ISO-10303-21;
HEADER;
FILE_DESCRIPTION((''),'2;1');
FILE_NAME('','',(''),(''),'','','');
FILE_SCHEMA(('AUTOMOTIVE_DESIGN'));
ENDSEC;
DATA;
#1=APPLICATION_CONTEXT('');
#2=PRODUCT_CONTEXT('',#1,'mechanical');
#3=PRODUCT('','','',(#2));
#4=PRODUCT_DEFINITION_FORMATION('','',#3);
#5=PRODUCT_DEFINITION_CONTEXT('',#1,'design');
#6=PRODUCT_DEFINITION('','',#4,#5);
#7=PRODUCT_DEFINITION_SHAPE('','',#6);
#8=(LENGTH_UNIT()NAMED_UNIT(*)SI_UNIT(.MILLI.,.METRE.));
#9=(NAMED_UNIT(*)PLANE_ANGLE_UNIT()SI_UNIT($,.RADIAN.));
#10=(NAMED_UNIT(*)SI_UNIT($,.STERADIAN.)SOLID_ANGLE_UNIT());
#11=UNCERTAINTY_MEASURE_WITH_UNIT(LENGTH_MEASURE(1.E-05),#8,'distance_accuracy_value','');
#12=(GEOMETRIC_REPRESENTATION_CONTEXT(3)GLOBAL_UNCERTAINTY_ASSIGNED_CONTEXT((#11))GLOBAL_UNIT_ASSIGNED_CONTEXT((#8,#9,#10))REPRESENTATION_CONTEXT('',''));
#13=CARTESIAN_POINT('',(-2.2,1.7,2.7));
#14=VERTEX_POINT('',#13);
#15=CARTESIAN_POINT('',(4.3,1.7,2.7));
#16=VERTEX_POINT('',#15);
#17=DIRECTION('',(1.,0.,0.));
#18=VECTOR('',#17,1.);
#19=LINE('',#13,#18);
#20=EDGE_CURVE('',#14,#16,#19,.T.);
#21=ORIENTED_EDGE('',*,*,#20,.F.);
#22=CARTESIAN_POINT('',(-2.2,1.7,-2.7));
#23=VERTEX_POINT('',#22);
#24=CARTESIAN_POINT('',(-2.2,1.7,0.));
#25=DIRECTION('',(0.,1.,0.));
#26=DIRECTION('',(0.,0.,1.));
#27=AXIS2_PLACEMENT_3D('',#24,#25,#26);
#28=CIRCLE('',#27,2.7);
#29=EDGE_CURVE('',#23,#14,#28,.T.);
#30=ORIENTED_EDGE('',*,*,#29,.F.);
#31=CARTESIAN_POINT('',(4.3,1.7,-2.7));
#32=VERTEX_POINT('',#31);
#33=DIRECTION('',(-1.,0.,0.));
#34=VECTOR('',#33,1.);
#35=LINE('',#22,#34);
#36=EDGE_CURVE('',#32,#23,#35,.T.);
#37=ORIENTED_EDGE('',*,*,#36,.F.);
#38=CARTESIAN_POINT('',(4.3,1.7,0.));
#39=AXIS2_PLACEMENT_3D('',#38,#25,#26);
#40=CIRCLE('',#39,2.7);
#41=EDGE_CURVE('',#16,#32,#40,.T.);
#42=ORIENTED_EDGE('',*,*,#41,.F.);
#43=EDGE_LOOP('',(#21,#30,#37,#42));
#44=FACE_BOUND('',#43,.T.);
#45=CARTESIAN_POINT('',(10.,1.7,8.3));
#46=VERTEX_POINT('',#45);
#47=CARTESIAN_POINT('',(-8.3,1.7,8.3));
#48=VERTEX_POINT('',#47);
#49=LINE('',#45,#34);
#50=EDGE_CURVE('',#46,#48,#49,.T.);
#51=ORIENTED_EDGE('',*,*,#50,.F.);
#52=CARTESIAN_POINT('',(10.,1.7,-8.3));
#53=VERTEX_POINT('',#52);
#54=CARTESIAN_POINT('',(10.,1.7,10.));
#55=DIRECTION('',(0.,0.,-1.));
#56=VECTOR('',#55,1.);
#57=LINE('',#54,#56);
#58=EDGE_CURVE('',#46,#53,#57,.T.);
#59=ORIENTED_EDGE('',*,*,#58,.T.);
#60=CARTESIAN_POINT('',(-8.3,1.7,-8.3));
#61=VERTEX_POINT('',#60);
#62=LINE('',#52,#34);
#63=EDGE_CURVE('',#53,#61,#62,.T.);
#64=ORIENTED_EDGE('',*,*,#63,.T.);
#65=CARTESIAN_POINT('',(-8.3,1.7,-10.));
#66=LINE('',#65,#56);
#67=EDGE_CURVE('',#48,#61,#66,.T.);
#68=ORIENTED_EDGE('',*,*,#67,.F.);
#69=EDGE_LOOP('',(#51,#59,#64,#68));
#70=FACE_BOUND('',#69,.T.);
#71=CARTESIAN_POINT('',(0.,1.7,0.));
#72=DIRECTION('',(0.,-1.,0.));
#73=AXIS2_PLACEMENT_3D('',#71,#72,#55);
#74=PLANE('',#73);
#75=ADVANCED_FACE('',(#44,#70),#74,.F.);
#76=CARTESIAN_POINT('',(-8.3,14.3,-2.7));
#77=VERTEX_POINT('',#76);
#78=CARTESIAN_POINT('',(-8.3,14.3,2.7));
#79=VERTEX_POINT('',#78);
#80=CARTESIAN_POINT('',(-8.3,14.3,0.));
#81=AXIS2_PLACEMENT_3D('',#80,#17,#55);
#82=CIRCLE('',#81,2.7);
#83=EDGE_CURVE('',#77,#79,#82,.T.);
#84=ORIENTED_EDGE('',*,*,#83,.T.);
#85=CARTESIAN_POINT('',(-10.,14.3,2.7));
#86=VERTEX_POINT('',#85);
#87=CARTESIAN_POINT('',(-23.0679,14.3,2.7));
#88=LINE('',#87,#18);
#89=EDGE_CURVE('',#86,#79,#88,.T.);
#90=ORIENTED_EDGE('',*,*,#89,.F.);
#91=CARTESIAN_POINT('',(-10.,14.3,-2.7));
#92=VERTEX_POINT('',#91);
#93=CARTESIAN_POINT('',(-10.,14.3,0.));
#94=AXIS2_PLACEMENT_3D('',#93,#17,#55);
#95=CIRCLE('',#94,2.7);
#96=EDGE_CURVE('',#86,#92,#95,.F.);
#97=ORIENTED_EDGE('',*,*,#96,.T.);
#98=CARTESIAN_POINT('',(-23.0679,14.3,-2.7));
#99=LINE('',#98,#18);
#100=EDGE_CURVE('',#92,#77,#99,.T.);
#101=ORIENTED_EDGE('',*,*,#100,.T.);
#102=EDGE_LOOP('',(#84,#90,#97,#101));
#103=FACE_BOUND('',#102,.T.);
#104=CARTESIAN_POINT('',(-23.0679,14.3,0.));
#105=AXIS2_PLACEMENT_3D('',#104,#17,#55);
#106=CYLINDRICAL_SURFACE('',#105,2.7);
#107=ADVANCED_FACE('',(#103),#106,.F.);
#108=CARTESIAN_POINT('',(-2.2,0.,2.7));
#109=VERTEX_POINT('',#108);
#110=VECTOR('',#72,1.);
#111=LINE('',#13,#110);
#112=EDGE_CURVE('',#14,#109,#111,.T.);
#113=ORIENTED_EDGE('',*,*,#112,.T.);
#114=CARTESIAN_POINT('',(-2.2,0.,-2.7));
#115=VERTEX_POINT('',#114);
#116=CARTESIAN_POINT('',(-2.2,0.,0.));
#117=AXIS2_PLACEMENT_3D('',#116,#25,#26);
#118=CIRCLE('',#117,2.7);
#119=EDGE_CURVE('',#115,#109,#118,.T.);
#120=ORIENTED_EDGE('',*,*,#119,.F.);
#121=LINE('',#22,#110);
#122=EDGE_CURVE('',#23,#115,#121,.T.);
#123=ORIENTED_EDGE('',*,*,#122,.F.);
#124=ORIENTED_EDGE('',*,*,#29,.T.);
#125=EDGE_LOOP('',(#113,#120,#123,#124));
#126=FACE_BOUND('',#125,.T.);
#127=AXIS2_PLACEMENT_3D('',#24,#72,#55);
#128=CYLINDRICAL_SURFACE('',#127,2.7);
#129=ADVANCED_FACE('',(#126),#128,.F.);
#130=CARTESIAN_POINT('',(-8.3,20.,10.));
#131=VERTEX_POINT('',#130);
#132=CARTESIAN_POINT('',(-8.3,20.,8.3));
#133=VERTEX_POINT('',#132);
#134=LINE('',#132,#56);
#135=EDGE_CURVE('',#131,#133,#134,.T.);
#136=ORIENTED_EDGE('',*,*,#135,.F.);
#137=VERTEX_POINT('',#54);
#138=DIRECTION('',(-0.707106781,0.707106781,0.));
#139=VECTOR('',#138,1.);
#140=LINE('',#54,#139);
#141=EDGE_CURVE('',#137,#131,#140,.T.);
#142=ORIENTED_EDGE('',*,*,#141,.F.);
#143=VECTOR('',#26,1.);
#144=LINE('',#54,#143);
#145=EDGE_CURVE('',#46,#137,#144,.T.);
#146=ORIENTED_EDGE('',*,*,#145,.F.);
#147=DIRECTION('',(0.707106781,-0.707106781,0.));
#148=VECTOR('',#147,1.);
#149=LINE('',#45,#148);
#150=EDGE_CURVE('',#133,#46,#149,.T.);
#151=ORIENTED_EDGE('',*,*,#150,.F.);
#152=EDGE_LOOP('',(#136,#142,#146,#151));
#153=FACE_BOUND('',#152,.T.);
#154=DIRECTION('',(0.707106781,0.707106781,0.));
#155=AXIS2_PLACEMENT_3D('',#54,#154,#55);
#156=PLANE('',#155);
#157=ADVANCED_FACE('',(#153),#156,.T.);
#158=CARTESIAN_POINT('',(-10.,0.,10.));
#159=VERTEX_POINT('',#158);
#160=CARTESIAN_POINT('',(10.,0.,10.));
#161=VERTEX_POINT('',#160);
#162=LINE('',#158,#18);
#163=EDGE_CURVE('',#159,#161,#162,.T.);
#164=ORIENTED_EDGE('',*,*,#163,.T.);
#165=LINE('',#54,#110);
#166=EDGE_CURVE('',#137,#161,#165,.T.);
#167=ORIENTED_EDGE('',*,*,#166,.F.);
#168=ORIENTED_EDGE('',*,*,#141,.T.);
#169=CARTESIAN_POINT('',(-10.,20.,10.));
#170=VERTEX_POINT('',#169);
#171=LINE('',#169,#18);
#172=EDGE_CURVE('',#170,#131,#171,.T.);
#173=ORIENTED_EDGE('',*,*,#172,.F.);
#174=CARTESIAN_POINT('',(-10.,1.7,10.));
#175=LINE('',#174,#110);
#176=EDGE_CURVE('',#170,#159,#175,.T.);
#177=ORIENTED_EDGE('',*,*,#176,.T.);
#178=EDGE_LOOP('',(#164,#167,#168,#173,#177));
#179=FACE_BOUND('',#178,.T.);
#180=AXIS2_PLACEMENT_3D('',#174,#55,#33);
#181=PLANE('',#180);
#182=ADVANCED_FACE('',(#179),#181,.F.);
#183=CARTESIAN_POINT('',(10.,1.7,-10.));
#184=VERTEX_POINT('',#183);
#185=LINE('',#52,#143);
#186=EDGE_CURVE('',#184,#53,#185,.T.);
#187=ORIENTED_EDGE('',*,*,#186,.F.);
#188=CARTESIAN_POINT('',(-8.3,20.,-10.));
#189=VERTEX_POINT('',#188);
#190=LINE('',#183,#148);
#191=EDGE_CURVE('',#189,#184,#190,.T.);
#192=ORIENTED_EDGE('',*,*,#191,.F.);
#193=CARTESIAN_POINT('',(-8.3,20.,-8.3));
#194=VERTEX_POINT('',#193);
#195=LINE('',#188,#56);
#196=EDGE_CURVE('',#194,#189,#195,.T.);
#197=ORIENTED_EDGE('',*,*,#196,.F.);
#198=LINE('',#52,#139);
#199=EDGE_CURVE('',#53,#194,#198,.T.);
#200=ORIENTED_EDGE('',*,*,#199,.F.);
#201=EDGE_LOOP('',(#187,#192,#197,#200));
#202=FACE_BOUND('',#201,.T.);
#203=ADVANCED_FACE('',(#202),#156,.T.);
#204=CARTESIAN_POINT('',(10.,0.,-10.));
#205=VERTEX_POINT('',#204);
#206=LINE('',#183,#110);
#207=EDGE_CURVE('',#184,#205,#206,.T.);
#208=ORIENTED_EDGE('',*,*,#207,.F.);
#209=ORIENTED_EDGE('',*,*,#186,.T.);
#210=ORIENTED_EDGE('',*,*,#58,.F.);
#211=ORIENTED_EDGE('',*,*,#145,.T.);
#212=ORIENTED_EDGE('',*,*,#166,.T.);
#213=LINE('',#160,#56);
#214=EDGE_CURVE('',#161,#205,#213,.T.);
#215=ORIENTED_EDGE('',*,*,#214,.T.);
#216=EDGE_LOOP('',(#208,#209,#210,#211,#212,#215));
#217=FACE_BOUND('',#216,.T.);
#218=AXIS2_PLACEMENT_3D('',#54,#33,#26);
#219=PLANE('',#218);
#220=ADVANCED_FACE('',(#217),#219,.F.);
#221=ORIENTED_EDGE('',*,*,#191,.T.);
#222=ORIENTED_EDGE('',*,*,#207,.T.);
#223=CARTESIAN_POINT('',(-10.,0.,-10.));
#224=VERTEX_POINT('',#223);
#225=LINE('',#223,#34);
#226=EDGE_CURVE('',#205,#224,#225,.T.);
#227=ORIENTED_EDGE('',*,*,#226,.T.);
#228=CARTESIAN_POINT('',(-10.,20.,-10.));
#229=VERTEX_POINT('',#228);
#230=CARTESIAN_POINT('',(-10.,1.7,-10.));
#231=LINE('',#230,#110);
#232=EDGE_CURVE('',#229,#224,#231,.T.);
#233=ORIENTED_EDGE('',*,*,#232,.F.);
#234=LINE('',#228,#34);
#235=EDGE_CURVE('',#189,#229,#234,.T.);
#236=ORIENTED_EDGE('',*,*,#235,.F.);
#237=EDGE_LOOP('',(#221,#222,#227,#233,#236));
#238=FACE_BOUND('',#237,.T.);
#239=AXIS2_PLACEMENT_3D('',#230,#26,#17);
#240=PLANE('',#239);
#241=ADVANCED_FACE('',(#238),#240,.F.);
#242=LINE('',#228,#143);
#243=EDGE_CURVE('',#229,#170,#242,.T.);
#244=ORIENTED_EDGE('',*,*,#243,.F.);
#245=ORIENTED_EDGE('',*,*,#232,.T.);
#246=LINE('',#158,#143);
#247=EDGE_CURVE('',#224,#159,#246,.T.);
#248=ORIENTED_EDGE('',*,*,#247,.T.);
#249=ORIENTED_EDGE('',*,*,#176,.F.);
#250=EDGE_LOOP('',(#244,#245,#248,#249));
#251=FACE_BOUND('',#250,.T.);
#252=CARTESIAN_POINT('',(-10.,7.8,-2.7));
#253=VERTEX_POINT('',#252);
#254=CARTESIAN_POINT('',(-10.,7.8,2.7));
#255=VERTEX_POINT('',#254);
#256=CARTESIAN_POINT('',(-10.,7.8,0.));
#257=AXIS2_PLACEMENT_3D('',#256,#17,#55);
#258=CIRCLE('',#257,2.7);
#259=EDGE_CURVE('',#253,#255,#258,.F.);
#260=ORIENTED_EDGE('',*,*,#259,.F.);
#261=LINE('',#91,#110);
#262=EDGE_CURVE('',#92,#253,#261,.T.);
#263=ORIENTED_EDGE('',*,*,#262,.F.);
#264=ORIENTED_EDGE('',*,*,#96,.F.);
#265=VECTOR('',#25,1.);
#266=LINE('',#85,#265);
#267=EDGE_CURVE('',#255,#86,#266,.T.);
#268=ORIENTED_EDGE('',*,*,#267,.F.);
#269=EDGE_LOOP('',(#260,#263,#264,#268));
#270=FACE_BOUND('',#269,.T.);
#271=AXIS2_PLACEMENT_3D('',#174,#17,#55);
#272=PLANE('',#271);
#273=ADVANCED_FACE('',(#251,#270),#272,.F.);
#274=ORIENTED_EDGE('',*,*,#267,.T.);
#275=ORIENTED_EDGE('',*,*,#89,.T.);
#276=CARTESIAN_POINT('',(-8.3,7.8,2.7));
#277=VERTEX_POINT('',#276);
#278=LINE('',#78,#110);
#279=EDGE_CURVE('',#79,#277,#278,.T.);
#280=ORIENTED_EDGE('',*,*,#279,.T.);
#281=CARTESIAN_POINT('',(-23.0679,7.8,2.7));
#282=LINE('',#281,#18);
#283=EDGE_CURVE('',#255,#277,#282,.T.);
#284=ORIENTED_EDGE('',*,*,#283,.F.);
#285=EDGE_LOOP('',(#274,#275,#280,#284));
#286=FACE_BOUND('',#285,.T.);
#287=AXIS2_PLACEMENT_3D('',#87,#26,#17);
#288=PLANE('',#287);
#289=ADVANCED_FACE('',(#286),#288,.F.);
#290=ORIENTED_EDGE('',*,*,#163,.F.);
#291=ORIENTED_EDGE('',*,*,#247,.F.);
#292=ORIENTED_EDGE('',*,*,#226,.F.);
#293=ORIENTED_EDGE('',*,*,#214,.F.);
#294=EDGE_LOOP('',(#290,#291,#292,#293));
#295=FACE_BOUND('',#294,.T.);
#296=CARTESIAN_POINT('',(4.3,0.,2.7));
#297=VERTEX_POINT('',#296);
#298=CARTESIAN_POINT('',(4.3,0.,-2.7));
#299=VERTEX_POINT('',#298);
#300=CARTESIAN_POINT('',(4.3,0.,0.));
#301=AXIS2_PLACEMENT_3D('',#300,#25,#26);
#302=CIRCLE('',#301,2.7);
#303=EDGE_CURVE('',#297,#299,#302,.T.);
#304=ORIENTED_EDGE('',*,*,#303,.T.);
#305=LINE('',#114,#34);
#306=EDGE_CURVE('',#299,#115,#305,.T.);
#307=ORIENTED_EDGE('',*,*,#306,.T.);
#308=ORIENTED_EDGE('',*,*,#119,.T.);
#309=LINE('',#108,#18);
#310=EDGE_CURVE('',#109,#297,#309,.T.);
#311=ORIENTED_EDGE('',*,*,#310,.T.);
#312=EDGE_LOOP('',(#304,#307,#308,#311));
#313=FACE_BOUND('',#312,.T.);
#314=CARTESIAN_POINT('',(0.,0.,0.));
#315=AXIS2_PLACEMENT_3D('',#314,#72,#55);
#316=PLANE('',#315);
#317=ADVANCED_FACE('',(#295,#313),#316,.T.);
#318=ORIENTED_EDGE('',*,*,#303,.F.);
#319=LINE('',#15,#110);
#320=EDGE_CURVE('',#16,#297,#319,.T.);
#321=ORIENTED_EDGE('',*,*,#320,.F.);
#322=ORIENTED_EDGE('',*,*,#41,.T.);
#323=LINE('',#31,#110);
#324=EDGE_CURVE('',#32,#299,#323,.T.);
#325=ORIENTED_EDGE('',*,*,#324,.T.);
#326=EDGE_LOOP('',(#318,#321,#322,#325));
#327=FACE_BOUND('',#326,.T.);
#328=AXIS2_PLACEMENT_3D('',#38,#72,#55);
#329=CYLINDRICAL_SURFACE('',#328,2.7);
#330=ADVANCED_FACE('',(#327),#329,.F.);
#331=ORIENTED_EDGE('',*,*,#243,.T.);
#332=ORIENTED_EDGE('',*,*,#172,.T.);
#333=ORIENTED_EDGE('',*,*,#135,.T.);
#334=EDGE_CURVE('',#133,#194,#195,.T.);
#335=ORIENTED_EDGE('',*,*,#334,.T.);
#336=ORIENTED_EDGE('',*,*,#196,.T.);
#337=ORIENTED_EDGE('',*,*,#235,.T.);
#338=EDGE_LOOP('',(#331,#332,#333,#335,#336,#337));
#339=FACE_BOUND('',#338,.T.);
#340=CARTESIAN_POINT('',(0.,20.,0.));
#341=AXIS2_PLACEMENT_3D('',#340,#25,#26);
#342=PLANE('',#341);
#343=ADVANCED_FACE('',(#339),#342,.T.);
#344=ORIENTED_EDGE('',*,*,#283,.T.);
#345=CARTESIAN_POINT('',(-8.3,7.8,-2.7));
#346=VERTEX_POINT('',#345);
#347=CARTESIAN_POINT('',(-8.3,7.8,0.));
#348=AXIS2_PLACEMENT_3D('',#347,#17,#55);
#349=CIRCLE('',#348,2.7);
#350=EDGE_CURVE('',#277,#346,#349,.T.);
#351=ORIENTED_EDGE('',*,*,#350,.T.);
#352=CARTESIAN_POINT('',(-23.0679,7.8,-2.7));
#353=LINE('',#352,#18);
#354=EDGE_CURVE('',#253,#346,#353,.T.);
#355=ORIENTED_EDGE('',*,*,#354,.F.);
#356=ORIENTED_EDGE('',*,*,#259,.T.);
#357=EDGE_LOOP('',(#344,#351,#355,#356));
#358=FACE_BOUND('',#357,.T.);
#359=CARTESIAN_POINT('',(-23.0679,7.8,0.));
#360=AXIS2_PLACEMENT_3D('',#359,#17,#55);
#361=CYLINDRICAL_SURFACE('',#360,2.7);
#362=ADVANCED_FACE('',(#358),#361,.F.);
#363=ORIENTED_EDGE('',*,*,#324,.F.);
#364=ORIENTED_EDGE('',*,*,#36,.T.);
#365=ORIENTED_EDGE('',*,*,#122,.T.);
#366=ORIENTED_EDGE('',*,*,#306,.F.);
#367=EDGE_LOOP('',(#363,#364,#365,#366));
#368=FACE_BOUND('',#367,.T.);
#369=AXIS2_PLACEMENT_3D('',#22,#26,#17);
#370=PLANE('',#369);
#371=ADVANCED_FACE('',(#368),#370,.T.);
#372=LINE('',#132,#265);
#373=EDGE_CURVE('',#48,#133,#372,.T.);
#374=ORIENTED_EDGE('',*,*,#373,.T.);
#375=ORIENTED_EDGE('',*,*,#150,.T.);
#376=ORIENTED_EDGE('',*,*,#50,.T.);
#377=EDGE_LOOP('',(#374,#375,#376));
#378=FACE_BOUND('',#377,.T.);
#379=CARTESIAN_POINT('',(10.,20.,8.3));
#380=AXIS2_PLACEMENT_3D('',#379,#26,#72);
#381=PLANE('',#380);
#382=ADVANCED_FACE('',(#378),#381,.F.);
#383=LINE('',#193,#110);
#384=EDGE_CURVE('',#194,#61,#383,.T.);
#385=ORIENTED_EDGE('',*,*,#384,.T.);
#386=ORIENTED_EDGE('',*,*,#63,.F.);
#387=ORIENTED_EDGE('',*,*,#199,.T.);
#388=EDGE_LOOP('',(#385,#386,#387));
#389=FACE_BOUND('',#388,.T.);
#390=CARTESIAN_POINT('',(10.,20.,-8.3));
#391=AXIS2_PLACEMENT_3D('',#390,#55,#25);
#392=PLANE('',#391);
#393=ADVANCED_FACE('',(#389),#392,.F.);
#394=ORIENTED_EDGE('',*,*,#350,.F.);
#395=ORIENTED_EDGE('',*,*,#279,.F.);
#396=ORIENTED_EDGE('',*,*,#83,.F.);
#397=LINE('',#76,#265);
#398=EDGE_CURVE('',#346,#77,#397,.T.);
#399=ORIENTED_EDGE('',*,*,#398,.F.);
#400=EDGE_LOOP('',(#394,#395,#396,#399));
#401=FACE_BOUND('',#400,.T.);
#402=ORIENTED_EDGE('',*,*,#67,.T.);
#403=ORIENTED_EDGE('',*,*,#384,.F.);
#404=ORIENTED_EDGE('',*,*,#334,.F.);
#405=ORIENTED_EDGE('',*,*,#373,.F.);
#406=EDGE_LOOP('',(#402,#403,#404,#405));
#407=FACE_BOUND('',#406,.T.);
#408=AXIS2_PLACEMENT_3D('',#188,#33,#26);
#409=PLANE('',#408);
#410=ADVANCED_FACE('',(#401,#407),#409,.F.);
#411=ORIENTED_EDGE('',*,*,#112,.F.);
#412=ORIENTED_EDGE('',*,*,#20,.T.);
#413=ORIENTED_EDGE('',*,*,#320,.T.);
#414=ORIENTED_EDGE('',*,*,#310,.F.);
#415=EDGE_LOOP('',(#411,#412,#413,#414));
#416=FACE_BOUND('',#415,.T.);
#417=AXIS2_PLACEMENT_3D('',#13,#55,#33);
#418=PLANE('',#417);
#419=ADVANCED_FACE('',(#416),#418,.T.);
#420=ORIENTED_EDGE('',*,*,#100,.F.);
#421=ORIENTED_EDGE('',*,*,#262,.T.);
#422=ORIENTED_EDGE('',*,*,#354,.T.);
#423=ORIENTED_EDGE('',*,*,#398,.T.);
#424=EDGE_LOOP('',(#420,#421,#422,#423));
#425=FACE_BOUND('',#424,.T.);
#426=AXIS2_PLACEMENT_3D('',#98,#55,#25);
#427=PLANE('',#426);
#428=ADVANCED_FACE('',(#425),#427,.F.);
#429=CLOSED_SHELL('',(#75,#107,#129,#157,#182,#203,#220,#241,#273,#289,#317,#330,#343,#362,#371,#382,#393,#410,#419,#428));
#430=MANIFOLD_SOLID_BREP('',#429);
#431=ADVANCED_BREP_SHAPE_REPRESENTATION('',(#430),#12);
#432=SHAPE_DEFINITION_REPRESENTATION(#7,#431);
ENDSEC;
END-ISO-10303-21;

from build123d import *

# Parameters (mm, degrees)
SKICA1_W                 = 20
SKICA1_H                 = 20
P_IDAT_VYSUNUT_M1_DEPTH  = 1.7
SKICA2_W                 = 1.7
SKICA2_H                 = 20
P_IDAT_VYSUNUT_M2_DEPTH  = 18.3
ODEBRAT_VYSUNUT_M1_DEPTH = 1.7
SKICA4_W                 = 1.7
SKICA4_H                 = 18.3
P_IDAT_VYSUNUT_M3_DEPTH  = 18.3
ZKOSEN_1_SIZE            = 18.3


with BuildPart() as part:
    # Skica1 → Přidat vysunutím1 (new body)
    with BuildSketch(Plane(origin=(0, 0, 0), x_dir=(1, 0, 0), z_dir=(0, 1, 0))):
        Rectangle(SKICA1_W, SKICA1_H)
        with BuildLine():
            Line((-2.2, 2.7), (4.3, 2.7))
            ThreePointArc((4.3, 2.7), (7, 0), (4.3, -2.7))
            Line((4.3, -2.7), (-2.2, -2.7))
            ThreePointArc((-2.2, -2.7), (-4.9, 0), (-2.2, 2.7))
        make_face(mode=Mode.SUBTRACT)
    extrude(amount=P_IDAT_VYSUNUT_M1_DEPTH)

    # Skica2 → Přidat vysunutím2 (add)
    with BuildSketch(Plane(origin=(0, 1.7, 0), x_dir=(1, 0, 0), z_dir=(0, 1, 0))):
        with Locations((-9.15, 0)):
            Rectangle(SKICA2_W, SKICA2_H)
    extrude(amount=P_IDAT_VYSUNUT_M2_DEPTH)

    # Skica3 → Odebrat vysunutím1 (cut)
    with BuildSketch(Plane(origin=(-8.3, 0, 0), x_dir=(0, 0, -1), z_dir=(1, 0, 0))):
        with BuildLine():
            Line((2.7, 14.3), (2.7, 7.8))
            ThreePointArc((2.7, 7.8), (0, 5.1), (-2.7, 7.8))
            Line((-2.7, 7.8), (-2.7, 14.3))
            ThreePointArc((-2.7, 14.3), (0, 17), (2.7, 14.3))
        make_face()
    extrude(amount=-ODEBRAT_VYSUNUT_M1_DEPTH, mode=Mode.SUBTRACT)

    # Skica4 → Přidat vysunutím3 (add)
    with BuildSketch(Plane(origin=(-8.3, 0, 0), x_dir=(0, 0, -1), z_dir=(1, 0, 0))):
        with Locations((-9.15, 10.85)):
            Rectangle(SKICA4_W, SKICA4_H)
        with Locations((9.15, 10.85)):
            Rectangle(SKICA4_W, SKICA4_H)
    extrude(amount=P_IDAT_VYSUNUT_M3_DEPTH)

    # Zkosení1
    zkosen_1_edges = [part.edges().sort_by_distance(p)[0] for p in [
        (10, 20, -9.15),
        (10, 20, 9.15),
    ]]
    chamfer(zkosen_1_edges, length=ZKOSEN_1_SIZE)


solid = part.part
